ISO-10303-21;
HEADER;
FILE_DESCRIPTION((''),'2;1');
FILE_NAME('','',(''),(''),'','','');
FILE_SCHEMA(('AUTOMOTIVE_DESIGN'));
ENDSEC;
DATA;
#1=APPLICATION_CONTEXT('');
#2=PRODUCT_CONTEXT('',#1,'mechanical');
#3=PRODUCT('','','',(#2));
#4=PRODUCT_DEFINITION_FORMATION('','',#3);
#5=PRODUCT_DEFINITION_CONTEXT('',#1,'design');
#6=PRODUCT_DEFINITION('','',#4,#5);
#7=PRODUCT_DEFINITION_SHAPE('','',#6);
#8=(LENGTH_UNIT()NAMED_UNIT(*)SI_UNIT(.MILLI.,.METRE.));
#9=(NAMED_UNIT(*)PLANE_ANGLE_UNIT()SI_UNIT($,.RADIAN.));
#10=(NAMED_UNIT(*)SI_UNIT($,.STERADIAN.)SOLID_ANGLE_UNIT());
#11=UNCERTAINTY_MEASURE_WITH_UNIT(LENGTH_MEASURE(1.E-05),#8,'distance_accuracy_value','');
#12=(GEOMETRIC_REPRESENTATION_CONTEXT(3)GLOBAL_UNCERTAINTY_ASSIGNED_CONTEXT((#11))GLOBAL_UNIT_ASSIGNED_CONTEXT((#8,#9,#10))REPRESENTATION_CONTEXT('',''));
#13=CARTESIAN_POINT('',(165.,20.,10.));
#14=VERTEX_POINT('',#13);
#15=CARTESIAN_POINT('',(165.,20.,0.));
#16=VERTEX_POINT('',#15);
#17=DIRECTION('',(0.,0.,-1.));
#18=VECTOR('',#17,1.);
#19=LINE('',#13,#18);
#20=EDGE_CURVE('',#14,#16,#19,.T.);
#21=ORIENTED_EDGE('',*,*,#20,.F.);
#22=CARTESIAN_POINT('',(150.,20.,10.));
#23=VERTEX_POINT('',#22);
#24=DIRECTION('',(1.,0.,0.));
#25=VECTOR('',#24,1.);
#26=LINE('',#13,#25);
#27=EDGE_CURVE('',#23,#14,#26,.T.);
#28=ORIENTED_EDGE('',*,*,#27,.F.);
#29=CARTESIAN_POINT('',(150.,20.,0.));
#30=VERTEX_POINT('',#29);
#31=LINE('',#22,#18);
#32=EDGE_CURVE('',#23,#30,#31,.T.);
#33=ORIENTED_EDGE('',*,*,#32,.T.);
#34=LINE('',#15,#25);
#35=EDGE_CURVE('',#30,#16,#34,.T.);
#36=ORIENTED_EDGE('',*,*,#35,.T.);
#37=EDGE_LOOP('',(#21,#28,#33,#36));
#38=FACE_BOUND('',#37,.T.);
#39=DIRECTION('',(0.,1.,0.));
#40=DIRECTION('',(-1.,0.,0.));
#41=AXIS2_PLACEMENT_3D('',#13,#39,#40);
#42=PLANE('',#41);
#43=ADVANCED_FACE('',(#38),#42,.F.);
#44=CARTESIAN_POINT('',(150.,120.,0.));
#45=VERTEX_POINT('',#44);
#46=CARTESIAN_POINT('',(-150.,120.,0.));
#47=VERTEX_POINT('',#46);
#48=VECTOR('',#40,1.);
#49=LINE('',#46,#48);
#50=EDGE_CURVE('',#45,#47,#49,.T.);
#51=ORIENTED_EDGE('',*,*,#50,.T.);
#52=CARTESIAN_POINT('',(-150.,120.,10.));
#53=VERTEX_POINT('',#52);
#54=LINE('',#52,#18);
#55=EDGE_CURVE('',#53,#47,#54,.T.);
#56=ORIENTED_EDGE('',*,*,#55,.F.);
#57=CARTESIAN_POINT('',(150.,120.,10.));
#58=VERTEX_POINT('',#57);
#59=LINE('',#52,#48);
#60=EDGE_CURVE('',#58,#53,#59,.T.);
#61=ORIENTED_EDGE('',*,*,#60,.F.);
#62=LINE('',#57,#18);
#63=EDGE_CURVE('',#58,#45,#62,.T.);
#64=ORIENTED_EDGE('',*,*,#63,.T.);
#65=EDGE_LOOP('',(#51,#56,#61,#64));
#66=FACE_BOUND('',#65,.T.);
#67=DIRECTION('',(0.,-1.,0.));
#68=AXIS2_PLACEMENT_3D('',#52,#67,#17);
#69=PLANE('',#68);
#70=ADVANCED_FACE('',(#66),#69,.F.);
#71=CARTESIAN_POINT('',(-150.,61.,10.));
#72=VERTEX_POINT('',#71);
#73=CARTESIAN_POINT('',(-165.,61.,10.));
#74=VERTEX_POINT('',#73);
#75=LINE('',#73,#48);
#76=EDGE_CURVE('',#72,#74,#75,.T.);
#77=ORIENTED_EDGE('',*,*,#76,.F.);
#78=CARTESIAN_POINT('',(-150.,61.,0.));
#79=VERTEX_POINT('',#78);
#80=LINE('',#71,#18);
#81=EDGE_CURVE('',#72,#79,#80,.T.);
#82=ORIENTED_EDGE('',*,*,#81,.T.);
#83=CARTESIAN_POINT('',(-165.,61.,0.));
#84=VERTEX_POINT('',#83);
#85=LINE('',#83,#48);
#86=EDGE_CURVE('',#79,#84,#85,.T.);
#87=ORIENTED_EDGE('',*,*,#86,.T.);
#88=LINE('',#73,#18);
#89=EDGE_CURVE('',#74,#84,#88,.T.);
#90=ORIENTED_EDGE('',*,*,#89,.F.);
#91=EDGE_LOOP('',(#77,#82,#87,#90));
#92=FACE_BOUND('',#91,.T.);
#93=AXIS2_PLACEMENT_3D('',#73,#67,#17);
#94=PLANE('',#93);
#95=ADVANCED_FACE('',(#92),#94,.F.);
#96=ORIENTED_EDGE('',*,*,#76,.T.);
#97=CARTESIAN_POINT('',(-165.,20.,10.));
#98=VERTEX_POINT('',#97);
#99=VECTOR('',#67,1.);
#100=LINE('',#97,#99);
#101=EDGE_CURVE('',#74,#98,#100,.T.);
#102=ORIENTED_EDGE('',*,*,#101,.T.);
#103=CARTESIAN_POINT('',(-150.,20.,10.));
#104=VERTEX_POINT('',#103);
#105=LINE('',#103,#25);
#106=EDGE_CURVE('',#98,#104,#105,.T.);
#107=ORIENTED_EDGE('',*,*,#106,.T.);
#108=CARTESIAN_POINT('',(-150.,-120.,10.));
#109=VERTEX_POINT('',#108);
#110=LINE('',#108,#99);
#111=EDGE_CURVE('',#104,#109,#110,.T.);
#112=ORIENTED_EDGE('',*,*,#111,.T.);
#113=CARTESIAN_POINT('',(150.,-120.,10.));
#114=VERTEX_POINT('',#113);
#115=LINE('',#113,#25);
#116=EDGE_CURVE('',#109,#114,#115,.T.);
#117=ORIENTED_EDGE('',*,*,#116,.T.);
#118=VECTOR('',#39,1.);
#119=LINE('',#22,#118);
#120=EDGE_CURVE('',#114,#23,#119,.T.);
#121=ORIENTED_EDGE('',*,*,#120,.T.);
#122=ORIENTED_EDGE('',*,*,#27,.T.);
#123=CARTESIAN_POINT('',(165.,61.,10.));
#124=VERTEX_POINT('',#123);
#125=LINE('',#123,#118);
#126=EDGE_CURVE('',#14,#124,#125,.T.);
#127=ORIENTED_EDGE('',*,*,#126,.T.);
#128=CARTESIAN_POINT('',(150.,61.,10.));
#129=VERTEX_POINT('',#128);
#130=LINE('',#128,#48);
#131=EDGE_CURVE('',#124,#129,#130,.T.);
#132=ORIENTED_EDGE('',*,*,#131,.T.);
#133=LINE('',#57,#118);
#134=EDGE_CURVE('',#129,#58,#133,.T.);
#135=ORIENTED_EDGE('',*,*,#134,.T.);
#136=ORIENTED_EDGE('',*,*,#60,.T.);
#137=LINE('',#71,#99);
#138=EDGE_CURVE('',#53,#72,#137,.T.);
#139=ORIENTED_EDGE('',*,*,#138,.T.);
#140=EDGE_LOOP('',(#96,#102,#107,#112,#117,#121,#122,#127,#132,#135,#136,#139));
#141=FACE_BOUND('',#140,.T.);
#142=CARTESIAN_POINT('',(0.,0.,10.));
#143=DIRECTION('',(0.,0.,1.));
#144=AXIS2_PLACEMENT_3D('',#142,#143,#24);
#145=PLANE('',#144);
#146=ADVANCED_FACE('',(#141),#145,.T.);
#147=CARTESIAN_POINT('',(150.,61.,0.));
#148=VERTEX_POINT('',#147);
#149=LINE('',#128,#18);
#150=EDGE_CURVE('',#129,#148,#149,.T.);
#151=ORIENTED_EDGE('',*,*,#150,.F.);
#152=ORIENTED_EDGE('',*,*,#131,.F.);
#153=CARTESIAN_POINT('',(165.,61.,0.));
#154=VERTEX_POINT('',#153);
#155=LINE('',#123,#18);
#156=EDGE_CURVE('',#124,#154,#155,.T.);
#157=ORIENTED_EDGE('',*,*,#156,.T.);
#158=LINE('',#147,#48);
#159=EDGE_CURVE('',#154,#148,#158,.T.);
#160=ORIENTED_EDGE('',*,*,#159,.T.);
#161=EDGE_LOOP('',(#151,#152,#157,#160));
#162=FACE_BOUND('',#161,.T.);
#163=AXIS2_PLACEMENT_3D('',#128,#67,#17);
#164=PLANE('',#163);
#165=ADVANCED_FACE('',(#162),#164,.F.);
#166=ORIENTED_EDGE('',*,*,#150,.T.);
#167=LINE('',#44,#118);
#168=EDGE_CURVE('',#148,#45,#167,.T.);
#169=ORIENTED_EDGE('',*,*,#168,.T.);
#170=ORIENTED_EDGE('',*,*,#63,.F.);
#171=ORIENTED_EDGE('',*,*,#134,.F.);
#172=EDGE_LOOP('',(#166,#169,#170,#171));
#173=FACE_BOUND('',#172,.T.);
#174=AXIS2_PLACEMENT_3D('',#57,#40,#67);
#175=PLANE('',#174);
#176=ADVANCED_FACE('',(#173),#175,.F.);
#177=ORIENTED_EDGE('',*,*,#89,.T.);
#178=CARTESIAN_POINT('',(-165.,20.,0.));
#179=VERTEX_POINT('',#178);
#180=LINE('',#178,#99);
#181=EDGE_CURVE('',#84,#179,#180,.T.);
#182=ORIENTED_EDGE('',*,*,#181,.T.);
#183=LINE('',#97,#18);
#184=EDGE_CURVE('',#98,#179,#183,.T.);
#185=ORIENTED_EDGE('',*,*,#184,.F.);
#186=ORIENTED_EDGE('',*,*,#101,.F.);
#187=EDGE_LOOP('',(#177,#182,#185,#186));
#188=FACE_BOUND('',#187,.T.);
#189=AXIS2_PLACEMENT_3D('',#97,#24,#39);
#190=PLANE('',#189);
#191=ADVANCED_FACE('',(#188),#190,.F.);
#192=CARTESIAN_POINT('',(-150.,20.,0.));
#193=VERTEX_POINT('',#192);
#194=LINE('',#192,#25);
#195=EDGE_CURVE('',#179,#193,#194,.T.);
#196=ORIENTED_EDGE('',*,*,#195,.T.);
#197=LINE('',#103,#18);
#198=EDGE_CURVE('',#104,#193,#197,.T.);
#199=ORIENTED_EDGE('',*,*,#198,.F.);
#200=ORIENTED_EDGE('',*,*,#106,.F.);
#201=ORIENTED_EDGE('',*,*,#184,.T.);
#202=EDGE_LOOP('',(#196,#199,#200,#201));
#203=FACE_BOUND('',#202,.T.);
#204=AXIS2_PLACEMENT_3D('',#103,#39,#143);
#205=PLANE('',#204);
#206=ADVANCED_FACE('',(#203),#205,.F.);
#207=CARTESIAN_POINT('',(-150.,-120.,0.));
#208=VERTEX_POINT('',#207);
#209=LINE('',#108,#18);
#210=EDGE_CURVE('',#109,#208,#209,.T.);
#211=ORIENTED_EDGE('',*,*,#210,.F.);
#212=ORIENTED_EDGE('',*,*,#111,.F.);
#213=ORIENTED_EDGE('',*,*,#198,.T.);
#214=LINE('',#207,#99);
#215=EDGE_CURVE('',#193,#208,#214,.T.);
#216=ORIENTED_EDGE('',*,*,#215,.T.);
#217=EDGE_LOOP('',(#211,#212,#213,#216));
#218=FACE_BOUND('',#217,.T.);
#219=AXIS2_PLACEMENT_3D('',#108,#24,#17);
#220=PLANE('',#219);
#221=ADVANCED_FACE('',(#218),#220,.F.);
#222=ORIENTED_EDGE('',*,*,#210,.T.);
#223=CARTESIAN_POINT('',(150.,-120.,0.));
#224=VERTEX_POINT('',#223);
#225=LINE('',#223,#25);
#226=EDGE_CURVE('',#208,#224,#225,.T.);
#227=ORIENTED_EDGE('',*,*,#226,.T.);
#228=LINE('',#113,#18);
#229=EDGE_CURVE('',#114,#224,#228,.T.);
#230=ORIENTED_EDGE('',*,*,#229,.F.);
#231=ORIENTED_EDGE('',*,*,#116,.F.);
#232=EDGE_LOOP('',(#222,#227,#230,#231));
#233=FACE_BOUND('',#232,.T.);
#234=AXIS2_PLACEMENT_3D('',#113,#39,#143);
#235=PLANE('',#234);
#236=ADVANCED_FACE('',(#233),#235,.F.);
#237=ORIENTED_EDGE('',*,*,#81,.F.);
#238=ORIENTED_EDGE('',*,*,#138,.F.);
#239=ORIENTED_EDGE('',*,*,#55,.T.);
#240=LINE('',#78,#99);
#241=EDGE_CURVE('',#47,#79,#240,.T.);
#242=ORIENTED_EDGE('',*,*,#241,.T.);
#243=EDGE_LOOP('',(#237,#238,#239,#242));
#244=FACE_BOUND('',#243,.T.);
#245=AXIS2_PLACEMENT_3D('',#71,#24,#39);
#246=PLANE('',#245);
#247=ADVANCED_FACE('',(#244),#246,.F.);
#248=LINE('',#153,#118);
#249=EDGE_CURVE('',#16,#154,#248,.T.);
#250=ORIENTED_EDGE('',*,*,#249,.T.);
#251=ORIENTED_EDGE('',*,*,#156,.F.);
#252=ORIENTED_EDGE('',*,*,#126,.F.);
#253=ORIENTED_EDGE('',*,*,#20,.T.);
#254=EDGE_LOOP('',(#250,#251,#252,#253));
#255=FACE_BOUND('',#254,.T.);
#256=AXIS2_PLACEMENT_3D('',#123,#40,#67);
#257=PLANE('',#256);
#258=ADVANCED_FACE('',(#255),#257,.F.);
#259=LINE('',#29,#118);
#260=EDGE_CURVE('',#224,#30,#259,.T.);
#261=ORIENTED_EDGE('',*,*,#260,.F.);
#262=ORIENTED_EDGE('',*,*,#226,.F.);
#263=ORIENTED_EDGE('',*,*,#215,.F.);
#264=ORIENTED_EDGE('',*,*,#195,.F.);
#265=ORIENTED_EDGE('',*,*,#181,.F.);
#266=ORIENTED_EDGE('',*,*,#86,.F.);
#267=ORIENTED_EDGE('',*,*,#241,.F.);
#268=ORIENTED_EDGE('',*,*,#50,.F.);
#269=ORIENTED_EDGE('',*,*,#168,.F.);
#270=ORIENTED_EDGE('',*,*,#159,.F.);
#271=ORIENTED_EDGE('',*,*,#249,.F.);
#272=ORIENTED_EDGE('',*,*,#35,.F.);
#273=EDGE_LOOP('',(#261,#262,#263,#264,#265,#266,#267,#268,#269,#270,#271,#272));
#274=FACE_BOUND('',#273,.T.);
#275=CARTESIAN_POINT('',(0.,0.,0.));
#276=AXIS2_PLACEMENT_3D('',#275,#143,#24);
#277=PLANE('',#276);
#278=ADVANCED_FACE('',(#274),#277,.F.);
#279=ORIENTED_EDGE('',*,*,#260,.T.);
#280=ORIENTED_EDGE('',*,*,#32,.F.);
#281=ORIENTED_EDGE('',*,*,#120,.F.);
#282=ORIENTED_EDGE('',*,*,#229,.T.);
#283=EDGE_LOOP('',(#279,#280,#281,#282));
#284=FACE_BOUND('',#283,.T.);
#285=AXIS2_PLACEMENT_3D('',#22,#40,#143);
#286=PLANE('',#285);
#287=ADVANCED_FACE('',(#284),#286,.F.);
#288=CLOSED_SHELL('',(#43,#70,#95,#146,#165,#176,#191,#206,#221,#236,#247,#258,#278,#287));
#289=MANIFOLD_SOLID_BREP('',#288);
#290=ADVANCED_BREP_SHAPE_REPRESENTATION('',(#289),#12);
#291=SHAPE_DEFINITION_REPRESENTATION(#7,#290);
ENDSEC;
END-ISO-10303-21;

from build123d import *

# Parameters (mm, degrees)
Y_KSEKLIK_EKSTR_ZYON1_DEPTH = 10


with BuildPart() as part:
    # Çizim1 → Yükseklik-Ekstrüzyon1 (new body)
    with BuildSketch(Plane.XY):
        Polygon((-150, -120), (-150, 20), (-165, 20), (-165, 61), (-150, 61), (-150, 120), (150, 120), (150, 61), (165, 61), (165, 20), (150, 20), (150, -120), align=None)
    extrude(amount=Y_KSEKLIK_EKSTR_ZYON1_DEPTH)


solid = part.part
